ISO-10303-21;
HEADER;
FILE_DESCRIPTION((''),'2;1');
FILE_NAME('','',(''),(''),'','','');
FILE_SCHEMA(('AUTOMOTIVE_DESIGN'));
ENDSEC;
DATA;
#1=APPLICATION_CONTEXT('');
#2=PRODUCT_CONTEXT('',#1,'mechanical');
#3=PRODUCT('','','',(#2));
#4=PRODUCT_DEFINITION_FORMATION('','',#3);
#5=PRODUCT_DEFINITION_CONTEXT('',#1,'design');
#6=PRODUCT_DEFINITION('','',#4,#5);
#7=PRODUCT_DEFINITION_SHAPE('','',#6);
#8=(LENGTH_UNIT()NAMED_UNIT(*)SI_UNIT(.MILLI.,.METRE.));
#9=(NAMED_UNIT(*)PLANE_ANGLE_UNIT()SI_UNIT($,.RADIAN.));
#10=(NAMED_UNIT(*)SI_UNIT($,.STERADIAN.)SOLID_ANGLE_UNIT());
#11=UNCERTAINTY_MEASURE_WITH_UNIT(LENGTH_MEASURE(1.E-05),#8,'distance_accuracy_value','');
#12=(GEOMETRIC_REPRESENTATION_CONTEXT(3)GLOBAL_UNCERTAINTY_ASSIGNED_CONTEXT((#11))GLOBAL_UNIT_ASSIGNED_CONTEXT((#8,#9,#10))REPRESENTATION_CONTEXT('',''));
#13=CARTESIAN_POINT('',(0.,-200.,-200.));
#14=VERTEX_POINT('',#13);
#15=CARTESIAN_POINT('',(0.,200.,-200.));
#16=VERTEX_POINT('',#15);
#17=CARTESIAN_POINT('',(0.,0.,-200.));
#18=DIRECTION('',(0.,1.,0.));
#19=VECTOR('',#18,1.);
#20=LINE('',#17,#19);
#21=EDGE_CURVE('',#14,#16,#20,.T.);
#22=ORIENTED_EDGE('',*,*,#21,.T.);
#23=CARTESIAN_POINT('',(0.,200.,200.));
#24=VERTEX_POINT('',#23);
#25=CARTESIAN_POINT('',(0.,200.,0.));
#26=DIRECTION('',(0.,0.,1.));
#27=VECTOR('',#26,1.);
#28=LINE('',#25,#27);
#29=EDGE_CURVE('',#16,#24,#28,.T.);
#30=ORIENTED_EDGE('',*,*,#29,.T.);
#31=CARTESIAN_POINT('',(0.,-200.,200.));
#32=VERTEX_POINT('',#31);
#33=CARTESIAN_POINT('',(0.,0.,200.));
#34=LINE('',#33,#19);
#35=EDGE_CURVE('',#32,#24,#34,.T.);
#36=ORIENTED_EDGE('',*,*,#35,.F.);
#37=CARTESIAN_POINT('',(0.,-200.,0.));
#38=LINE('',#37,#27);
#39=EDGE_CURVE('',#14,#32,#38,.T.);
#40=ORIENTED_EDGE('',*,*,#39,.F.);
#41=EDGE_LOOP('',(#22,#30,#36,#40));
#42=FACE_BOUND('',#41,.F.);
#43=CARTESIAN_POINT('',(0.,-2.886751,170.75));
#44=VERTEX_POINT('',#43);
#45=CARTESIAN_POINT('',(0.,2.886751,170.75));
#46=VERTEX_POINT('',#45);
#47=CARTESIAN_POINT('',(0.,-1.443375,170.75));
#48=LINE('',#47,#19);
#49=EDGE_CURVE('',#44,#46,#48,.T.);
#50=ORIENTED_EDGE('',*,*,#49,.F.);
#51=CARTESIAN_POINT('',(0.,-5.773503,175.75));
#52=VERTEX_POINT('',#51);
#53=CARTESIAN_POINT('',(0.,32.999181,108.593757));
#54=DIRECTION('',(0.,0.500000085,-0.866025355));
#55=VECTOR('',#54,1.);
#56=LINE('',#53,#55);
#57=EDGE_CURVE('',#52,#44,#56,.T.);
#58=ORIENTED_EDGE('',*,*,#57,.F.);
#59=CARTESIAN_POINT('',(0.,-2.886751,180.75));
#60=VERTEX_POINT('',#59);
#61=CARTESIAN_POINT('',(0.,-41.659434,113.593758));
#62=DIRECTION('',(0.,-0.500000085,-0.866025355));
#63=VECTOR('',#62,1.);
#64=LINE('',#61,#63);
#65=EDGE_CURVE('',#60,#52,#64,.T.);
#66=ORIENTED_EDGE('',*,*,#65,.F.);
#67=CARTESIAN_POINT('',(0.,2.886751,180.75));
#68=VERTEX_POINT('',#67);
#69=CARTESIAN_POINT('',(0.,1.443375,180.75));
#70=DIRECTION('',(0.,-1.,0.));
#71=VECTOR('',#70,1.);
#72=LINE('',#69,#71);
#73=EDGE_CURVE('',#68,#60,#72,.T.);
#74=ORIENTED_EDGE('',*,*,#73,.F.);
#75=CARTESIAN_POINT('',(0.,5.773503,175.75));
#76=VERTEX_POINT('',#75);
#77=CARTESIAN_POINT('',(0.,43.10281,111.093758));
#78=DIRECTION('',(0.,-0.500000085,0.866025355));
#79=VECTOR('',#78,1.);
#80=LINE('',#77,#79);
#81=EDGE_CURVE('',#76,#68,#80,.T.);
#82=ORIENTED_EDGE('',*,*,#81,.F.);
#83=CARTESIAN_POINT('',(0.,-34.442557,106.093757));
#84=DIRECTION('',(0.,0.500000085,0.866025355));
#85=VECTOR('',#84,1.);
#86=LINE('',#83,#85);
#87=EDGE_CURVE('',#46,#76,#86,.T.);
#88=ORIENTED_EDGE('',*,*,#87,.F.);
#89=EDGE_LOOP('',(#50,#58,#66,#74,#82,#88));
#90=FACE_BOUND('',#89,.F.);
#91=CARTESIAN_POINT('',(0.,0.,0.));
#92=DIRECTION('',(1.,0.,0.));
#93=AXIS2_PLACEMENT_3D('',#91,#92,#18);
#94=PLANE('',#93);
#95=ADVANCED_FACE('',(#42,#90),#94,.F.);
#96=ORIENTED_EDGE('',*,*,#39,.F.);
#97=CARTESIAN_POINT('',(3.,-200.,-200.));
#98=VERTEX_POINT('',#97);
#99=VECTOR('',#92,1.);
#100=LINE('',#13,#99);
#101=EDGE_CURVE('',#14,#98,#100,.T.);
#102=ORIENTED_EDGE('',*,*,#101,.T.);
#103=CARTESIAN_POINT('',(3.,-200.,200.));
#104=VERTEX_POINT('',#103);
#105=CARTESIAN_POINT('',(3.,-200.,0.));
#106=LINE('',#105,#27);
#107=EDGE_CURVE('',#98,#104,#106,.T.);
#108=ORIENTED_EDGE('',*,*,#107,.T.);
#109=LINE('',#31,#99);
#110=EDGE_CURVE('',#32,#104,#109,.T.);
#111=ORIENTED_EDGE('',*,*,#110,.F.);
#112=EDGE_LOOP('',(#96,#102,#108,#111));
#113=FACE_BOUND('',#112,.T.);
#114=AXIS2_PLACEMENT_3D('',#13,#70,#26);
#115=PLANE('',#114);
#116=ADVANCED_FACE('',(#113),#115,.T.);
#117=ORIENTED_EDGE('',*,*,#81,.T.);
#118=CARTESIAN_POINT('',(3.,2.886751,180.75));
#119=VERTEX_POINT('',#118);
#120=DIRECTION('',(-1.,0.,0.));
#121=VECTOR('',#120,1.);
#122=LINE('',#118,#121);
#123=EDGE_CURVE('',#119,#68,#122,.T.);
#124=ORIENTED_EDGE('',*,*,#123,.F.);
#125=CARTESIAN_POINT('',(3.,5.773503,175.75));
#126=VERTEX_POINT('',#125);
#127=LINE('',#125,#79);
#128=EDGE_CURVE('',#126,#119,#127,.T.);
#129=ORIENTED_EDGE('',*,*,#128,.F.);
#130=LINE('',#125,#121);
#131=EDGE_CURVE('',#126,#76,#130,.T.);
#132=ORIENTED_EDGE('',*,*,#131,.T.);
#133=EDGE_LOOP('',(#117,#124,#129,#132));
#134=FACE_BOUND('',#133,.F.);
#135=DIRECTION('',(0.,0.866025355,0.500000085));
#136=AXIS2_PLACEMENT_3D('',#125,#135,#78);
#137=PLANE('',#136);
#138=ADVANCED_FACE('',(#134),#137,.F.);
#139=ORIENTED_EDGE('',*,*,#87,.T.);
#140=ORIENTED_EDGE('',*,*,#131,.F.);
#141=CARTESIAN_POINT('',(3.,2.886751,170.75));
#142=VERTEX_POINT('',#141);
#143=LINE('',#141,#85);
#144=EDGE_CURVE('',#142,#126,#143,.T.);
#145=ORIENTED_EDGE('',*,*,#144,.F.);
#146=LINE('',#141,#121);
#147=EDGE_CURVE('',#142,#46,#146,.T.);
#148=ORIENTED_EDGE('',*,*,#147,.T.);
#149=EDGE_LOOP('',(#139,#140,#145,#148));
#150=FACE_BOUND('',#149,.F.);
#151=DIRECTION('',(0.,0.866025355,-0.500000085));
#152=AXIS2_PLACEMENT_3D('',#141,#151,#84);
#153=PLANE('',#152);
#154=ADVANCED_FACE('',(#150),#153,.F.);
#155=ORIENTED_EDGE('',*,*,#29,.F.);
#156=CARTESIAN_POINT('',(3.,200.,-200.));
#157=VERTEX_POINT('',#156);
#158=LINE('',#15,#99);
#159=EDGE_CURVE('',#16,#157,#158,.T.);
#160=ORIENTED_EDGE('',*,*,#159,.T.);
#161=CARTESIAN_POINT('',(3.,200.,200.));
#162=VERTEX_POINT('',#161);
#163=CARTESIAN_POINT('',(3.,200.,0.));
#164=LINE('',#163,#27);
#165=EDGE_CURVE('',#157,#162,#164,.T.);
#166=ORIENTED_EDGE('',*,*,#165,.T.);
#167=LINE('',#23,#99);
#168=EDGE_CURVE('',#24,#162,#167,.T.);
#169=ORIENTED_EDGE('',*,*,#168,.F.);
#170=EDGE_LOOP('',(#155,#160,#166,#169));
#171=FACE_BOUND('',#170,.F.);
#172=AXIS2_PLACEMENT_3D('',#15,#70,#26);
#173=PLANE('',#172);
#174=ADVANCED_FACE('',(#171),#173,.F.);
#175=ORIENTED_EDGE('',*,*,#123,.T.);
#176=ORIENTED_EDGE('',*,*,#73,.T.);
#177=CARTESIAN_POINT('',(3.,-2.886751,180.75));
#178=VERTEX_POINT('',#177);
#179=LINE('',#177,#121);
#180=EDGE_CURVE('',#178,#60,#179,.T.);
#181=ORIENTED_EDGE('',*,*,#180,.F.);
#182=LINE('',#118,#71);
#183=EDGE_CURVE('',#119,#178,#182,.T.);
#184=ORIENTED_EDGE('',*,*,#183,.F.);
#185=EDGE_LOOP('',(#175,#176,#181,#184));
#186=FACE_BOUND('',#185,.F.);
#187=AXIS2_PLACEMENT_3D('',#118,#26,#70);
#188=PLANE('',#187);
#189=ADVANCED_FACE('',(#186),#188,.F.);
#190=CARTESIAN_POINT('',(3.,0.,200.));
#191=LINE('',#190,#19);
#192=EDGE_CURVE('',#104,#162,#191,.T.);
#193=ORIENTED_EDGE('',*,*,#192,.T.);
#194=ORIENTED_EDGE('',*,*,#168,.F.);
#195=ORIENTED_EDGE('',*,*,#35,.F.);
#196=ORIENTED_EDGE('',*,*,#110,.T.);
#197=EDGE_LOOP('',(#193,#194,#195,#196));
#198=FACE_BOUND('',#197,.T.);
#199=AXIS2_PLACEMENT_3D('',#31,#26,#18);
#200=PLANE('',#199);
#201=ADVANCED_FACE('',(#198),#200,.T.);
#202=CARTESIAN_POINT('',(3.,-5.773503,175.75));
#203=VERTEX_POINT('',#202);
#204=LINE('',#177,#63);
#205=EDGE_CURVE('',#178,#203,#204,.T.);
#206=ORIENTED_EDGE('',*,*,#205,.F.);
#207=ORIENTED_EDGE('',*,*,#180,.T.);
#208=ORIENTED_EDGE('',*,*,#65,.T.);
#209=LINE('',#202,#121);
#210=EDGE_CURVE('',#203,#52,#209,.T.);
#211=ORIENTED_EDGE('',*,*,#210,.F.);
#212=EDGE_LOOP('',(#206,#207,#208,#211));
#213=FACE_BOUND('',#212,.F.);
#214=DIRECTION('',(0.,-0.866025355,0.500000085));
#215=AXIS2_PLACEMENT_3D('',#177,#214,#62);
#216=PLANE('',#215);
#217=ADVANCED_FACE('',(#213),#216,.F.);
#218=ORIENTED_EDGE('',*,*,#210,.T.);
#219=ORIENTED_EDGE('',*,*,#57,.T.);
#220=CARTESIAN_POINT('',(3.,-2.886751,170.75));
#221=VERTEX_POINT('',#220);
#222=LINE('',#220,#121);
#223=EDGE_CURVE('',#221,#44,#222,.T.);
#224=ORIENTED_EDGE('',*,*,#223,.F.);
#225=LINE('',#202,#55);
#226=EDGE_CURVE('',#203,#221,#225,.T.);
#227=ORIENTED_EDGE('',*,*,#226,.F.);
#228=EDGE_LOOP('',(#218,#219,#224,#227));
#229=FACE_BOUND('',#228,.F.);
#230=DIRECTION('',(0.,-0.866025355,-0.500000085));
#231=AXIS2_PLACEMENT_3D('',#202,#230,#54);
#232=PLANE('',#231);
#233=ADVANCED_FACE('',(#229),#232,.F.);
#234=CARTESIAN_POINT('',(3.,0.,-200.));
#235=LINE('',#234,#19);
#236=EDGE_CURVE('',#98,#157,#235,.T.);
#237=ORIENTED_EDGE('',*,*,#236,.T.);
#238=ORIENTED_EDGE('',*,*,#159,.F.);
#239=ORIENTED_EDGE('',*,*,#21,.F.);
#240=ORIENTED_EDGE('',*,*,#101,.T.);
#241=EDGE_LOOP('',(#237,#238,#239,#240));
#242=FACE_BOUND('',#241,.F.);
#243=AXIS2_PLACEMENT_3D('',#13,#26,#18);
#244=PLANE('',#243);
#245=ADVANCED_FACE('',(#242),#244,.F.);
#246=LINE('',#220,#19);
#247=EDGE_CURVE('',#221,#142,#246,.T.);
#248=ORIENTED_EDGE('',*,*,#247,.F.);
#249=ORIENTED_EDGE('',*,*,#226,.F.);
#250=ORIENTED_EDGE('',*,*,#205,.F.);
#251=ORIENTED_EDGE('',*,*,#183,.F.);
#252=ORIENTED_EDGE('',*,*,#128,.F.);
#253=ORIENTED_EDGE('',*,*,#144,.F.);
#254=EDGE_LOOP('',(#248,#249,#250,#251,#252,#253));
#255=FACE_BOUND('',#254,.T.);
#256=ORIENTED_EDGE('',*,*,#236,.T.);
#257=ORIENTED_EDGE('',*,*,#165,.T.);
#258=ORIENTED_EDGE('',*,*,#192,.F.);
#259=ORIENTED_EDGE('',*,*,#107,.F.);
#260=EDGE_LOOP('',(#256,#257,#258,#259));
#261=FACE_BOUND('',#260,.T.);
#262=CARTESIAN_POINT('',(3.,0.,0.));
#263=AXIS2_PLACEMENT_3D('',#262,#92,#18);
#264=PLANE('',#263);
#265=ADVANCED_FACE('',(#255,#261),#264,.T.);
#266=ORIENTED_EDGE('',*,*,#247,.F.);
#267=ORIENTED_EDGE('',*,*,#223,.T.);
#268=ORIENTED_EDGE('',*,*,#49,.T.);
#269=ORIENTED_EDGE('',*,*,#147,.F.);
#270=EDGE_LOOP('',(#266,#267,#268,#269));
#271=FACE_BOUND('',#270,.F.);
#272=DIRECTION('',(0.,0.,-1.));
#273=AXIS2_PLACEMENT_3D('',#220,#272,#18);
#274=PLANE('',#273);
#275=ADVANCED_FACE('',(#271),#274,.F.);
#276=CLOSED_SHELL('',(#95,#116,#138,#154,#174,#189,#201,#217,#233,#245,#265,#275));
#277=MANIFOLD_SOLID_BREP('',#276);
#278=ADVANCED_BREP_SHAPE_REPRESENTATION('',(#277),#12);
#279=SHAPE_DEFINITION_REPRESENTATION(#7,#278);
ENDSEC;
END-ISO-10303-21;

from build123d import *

# Parameters (mm, degrees)
F0_W     = 400
F0_H     = 400
F1_DEPTH = 3
F3_DEPTH = 25


with BuildPart() as f1:
    # F0 (on Right) → F1 (new body)
    with BuildSketch(Plane.YZ):
        Rectangle(F0_W, F0_H)
    extrude(amount=F1_DEPTH)

    # F2 (on face) → F3 (cut)
    with BuildSketch(Plane.YZ.offset(3)):
        Polygon((2.886751, 180.75), (-2.886751, 180.75), (-5.773503, 175.75), (-2.886751, 170.75), (2.886751, 170.75), (5.773503, 175.75), align=None)
    extrude(amount=-F3_DEPTH, mode=Mode.SUBTRACT)


solid = f1.part
